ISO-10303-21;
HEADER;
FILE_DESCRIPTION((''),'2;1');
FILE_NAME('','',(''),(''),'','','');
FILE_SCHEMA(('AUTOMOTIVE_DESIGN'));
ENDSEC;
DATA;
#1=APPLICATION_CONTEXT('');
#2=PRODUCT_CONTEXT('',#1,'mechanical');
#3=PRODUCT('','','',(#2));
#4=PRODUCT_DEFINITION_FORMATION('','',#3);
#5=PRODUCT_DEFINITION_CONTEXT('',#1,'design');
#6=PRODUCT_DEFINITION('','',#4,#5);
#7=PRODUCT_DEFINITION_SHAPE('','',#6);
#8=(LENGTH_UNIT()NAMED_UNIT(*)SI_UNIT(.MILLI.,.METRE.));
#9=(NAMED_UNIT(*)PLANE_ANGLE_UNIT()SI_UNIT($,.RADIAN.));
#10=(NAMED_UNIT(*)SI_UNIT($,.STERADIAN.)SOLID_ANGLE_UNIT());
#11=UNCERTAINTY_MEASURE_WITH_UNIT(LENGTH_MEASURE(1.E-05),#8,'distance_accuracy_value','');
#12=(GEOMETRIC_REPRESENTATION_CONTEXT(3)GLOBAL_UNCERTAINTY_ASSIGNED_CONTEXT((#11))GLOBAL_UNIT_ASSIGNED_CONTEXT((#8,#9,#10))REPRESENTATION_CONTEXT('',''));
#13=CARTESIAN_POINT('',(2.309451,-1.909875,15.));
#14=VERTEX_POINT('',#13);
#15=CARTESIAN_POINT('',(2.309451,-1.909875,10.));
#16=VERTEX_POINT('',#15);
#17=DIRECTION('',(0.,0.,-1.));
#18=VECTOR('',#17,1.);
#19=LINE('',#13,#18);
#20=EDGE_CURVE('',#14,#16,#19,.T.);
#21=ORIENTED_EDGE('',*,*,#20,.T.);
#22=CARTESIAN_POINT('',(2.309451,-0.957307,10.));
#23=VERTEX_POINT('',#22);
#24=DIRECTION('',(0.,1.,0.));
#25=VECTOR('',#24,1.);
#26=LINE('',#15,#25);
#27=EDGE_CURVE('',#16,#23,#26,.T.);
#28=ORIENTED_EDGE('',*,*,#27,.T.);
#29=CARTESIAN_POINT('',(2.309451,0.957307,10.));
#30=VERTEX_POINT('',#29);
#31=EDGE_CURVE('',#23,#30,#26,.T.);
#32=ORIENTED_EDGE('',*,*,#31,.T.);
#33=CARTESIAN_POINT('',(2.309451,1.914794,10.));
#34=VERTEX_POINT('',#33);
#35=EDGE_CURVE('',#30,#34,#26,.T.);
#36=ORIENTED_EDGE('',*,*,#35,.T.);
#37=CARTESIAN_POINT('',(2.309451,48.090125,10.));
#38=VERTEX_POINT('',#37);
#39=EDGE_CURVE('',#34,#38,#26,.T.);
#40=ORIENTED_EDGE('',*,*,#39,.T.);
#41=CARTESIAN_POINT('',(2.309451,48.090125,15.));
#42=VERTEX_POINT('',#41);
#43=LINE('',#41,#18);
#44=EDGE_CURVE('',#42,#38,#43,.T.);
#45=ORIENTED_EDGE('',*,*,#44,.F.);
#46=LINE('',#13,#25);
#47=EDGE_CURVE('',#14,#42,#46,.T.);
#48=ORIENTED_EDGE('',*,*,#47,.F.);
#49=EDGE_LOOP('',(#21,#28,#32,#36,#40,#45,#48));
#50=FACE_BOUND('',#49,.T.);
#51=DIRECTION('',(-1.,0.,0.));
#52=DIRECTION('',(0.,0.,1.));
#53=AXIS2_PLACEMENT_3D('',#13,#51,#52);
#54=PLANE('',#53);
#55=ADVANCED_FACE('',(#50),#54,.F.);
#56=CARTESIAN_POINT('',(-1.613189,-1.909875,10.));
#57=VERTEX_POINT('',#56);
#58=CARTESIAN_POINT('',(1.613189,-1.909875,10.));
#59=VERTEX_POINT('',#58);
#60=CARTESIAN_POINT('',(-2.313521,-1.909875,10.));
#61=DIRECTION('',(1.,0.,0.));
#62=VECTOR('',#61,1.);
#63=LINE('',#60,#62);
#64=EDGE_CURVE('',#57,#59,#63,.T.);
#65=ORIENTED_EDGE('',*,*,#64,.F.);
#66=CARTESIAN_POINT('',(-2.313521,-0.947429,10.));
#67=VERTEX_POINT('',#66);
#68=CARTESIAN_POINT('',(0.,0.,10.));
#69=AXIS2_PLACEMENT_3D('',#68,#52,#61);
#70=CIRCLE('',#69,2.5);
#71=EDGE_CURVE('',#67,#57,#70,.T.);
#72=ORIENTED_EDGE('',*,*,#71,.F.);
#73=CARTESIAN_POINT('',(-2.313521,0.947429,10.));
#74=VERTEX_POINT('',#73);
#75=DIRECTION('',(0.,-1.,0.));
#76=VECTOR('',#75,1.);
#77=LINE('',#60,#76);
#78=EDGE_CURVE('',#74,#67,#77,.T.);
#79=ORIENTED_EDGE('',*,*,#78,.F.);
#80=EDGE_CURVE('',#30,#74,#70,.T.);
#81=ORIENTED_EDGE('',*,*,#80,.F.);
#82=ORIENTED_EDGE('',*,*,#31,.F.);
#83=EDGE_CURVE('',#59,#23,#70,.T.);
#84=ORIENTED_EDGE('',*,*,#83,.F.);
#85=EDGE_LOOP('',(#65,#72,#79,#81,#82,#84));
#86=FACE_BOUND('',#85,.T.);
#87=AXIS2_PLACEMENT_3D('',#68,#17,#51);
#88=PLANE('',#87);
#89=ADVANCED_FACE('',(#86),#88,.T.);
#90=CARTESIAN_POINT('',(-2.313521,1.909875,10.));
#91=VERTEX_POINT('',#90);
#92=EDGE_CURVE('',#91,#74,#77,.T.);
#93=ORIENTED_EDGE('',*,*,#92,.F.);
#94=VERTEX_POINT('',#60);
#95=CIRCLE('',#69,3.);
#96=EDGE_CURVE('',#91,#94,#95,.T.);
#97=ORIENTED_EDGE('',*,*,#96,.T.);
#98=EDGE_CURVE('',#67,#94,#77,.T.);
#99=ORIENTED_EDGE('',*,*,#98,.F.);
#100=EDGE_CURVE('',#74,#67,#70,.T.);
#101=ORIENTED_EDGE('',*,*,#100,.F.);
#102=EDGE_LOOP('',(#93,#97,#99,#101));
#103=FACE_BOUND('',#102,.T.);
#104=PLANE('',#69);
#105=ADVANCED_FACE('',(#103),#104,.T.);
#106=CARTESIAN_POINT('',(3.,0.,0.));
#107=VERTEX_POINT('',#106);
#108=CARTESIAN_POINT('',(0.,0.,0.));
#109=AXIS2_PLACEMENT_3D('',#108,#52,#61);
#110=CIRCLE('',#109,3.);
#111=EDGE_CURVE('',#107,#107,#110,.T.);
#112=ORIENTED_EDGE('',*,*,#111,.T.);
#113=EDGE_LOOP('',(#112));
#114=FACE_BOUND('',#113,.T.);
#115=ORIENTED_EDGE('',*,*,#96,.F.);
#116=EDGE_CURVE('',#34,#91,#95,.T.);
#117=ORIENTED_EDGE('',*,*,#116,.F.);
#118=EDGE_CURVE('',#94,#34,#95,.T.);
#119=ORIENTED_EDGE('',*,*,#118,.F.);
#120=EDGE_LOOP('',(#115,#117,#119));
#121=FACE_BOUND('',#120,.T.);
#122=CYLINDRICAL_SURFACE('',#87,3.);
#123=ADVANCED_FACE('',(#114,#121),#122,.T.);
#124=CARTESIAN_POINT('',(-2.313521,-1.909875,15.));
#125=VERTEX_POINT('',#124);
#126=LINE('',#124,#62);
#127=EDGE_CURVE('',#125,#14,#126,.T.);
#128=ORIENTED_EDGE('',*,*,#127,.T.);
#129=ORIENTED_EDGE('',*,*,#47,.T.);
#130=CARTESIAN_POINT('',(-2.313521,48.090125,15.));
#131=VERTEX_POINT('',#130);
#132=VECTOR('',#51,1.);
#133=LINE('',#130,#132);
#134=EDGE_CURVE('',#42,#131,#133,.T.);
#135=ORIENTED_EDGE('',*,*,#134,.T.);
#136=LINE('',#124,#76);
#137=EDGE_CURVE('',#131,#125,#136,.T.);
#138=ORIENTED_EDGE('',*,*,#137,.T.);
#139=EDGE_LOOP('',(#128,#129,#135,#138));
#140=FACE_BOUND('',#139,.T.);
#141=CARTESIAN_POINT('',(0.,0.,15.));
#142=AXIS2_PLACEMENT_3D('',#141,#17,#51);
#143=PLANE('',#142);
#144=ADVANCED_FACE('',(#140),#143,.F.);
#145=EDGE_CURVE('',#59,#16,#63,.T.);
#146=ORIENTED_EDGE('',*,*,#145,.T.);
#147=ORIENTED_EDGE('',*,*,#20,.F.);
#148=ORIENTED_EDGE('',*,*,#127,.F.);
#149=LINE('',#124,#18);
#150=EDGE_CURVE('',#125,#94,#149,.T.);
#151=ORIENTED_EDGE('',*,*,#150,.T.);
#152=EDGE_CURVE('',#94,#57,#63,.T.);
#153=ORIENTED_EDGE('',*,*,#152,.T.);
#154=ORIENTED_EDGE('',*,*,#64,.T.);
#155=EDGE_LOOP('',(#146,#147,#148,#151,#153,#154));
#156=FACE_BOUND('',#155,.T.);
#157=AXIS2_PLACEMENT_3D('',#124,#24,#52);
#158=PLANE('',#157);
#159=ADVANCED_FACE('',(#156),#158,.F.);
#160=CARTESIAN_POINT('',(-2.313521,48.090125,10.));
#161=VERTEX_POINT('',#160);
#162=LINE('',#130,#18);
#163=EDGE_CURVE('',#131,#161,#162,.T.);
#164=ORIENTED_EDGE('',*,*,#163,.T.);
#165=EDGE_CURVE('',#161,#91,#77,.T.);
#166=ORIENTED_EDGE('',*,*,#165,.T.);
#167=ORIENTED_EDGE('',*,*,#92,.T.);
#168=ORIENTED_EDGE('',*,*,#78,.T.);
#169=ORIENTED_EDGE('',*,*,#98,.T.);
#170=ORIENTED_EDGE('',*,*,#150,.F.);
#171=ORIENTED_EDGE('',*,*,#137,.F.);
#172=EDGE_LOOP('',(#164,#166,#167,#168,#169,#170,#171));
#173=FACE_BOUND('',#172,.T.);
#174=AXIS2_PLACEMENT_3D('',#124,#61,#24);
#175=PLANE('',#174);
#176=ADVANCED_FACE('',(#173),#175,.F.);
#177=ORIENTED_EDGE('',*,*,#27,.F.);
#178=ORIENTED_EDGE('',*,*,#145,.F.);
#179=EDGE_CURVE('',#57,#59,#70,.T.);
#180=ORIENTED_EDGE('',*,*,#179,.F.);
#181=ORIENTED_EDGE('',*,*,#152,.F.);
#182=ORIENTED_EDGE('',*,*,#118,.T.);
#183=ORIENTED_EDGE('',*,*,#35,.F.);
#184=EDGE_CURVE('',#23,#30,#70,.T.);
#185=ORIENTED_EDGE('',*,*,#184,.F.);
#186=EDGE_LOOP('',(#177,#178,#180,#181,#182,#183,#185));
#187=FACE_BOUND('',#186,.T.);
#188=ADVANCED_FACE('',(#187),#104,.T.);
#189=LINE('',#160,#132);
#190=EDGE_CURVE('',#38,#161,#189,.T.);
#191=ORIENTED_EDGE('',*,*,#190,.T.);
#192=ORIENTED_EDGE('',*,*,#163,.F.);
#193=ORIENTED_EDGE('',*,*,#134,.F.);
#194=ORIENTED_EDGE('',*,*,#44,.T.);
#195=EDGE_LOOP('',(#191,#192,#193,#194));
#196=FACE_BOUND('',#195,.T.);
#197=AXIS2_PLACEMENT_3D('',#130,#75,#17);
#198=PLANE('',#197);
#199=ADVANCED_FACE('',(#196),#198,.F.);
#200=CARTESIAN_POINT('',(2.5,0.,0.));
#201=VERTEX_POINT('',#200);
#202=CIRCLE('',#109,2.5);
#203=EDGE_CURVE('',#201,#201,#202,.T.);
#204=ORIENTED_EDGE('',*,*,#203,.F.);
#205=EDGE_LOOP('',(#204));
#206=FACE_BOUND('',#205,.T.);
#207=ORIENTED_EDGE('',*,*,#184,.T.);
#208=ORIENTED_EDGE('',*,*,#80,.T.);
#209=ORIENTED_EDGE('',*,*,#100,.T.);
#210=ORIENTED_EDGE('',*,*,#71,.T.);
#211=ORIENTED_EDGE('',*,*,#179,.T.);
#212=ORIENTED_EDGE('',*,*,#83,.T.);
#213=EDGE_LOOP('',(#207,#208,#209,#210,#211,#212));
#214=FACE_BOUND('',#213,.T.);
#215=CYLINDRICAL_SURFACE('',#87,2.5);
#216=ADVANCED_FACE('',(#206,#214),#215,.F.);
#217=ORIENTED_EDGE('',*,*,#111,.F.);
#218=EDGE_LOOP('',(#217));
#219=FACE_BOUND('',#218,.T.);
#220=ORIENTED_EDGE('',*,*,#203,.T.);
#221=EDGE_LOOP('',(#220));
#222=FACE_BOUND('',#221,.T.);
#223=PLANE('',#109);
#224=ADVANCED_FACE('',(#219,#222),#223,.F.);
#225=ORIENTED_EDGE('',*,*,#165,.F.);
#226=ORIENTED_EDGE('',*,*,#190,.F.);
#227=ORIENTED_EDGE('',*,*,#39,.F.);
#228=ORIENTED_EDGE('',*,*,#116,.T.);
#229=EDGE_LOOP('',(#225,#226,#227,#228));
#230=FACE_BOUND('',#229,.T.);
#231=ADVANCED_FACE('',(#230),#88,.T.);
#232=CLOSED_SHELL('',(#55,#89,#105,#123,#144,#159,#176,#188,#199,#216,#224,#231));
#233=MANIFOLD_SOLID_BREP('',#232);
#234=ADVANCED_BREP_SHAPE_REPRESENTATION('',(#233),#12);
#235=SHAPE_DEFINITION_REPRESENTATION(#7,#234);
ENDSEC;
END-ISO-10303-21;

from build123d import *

# Parameters (mm, degrees)
CROQUIS1_R              = 3
CROQUIS1_R_2            = 2.5
SALIENTE_EXTRUIR1_DEPTH = 10
CROQUIS2_W              = 4.622971646
CROQUIS2_H              = 50
SALIENTE_EXTRUIR2_DEPTH = 5


with BuildPart() as part:
    # Croquis1 → Saliente-Extruir1 (new body)
    with BuildSketch(Plane.XY):
        Circle(CROQUIS1_R)
        Circle(CROQUIS1_R_2, mode=Mode.SUBTRACT)
    extrude(amount=SALIENTE_EXTRUIR1_DEPTH)

    # Croquis2 → Saliente-Extruir2 (add)
    with BuildSketch(Plane.XY.offset(10)):
        with Locations((-0.002035099, 23.090125411)):
            Rectangle(CROQUIS2_W, CROQUIS2_H)
    extrude(amount=SALIENTE_EXTRUIR2_DEPTH)


solid = part.part
